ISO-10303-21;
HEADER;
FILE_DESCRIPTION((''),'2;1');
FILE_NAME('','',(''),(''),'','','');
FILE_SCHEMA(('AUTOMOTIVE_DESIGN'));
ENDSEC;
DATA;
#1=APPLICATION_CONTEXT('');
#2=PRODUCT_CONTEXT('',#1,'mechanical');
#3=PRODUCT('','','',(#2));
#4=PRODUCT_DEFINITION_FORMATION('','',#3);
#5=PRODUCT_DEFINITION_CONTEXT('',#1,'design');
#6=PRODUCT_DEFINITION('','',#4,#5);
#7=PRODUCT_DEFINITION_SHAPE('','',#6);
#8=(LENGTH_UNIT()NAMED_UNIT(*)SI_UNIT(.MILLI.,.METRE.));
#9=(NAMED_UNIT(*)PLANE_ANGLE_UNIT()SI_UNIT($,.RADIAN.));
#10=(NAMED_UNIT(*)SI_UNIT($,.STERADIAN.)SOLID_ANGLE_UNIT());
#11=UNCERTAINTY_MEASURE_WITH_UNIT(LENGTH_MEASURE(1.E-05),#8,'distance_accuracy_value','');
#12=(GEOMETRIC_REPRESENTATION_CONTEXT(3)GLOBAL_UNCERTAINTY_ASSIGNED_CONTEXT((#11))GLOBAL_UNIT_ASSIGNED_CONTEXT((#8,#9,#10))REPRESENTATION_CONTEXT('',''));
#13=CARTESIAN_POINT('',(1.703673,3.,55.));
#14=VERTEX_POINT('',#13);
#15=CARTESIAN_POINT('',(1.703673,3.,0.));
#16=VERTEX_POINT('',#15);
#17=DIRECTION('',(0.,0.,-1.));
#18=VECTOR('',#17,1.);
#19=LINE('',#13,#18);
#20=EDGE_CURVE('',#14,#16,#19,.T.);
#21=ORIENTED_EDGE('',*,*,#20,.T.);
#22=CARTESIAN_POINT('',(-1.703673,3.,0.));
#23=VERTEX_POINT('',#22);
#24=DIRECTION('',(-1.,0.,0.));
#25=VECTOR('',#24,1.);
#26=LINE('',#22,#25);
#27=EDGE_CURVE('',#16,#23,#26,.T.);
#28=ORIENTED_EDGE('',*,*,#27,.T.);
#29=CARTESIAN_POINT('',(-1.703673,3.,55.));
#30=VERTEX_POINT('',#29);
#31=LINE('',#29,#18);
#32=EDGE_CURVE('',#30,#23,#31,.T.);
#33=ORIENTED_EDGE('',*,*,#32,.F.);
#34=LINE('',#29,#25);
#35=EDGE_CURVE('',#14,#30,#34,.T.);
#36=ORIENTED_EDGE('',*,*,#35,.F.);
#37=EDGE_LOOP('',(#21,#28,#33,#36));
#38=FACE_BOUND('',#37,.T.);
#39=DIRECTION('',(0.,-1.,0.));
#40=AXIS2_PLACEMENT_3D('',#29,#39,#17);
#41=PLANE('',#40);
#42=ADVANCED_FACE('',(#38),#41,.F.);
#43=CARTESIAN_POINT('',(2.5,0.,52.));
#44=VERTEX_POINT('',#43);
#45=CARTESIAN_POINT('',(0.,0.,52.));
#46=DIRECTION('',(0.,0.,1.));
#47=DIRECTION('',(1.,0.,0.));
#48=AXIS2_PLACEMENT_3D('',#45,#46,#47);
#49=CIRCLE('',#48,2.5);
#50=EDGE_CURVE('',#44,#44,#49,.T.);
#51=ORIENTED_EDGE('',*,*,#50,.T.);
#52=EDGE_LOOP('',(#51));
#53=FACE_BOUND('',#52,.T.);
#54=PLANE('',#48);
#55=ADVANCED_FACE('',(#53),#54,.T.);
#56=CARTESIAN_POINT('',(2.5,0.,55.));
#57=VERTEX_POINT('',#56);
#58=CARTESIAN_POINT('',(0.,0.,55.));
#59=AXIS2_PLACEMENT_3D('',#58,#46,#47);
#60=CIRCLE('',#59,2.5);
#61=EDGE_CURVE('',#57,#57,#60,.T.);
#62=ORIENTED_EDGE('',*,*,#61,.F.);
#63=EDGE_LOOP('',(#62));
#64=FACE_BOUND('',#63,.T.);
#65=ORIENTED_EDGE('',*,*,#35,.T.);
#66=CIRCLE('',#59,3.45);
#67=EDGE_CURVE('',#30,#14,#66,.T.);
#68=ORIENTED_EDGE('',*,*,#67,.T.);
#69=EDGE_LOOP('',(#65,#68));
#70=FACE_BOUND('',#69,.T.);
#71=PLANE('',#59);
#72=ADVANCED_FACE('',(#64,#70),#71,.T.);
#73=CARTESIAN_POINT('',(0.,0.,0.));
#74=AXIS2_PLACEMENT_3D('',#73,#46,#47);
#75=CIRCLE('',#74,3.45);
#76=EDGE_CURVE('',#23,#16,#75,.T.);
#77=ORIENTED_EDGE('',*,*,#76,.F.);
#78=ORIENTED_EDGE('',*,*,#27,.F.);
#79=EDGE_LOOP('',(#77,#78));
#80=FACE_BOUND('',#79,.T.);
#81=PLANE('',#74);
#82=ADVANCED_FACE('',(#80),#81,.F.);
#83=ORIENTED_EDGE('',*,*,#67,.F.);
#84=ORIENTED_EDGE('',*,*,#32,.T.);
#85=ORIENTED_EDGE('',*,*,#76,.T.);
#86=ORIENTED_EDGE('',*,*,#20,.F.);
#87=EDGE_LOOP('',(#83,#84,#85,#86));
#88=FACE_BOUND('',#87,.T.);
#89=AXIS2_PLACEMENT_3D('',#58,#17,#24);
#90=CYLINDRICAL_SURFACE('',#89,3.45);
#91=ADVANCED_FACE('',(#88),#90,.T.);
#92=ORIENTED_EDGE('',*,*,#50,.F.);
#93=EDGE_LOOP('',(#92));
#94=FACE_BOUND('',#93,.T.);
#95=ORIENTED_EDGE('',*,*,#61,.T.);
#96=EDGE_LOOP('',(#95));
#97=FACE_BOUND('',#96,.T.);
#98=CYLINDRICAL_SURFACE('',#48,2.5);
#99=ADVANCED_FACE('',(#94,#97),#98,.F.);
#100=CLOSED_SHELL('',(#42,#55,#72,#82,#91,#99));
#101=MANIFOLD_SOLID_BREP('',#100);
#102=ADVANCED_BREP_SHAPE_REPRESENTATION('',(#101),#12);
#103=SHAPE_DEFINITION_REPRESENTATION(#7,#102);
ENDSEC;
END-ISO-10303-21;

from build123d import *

# Parameters (mm, degrees)
BOSS_EXTRUDE2_DEPTH = 55
SKETCH2_R           = 2.5
CUT_EXTRUDE1_DEPTH  = 3


with BuildPart() as part:
    # Sketch1 → Boss-Extrude2 (new body)
    with BuildSketch(Plane.XY):
        with BuildLine():
            Line((-1.703672504, 3), (1.703672504, 3))
            ThreePointArc((1.703672504, 3), (0, -3.45), (-1.703672504, 3))
        make_face()
    extrude(amount=BOSS_EXTRUDE2_DEPTH)

    # Sketch2 → Cut-Extrude1 (cut)
    with BuildSketch(Plane.XY.offset(55)):
        Circle(SKETCH2_R)
    extrude(amount=-CUT_EXTRUDE1_DEPTH, mode=Mode.SUBTRACT)


solid = part.part
